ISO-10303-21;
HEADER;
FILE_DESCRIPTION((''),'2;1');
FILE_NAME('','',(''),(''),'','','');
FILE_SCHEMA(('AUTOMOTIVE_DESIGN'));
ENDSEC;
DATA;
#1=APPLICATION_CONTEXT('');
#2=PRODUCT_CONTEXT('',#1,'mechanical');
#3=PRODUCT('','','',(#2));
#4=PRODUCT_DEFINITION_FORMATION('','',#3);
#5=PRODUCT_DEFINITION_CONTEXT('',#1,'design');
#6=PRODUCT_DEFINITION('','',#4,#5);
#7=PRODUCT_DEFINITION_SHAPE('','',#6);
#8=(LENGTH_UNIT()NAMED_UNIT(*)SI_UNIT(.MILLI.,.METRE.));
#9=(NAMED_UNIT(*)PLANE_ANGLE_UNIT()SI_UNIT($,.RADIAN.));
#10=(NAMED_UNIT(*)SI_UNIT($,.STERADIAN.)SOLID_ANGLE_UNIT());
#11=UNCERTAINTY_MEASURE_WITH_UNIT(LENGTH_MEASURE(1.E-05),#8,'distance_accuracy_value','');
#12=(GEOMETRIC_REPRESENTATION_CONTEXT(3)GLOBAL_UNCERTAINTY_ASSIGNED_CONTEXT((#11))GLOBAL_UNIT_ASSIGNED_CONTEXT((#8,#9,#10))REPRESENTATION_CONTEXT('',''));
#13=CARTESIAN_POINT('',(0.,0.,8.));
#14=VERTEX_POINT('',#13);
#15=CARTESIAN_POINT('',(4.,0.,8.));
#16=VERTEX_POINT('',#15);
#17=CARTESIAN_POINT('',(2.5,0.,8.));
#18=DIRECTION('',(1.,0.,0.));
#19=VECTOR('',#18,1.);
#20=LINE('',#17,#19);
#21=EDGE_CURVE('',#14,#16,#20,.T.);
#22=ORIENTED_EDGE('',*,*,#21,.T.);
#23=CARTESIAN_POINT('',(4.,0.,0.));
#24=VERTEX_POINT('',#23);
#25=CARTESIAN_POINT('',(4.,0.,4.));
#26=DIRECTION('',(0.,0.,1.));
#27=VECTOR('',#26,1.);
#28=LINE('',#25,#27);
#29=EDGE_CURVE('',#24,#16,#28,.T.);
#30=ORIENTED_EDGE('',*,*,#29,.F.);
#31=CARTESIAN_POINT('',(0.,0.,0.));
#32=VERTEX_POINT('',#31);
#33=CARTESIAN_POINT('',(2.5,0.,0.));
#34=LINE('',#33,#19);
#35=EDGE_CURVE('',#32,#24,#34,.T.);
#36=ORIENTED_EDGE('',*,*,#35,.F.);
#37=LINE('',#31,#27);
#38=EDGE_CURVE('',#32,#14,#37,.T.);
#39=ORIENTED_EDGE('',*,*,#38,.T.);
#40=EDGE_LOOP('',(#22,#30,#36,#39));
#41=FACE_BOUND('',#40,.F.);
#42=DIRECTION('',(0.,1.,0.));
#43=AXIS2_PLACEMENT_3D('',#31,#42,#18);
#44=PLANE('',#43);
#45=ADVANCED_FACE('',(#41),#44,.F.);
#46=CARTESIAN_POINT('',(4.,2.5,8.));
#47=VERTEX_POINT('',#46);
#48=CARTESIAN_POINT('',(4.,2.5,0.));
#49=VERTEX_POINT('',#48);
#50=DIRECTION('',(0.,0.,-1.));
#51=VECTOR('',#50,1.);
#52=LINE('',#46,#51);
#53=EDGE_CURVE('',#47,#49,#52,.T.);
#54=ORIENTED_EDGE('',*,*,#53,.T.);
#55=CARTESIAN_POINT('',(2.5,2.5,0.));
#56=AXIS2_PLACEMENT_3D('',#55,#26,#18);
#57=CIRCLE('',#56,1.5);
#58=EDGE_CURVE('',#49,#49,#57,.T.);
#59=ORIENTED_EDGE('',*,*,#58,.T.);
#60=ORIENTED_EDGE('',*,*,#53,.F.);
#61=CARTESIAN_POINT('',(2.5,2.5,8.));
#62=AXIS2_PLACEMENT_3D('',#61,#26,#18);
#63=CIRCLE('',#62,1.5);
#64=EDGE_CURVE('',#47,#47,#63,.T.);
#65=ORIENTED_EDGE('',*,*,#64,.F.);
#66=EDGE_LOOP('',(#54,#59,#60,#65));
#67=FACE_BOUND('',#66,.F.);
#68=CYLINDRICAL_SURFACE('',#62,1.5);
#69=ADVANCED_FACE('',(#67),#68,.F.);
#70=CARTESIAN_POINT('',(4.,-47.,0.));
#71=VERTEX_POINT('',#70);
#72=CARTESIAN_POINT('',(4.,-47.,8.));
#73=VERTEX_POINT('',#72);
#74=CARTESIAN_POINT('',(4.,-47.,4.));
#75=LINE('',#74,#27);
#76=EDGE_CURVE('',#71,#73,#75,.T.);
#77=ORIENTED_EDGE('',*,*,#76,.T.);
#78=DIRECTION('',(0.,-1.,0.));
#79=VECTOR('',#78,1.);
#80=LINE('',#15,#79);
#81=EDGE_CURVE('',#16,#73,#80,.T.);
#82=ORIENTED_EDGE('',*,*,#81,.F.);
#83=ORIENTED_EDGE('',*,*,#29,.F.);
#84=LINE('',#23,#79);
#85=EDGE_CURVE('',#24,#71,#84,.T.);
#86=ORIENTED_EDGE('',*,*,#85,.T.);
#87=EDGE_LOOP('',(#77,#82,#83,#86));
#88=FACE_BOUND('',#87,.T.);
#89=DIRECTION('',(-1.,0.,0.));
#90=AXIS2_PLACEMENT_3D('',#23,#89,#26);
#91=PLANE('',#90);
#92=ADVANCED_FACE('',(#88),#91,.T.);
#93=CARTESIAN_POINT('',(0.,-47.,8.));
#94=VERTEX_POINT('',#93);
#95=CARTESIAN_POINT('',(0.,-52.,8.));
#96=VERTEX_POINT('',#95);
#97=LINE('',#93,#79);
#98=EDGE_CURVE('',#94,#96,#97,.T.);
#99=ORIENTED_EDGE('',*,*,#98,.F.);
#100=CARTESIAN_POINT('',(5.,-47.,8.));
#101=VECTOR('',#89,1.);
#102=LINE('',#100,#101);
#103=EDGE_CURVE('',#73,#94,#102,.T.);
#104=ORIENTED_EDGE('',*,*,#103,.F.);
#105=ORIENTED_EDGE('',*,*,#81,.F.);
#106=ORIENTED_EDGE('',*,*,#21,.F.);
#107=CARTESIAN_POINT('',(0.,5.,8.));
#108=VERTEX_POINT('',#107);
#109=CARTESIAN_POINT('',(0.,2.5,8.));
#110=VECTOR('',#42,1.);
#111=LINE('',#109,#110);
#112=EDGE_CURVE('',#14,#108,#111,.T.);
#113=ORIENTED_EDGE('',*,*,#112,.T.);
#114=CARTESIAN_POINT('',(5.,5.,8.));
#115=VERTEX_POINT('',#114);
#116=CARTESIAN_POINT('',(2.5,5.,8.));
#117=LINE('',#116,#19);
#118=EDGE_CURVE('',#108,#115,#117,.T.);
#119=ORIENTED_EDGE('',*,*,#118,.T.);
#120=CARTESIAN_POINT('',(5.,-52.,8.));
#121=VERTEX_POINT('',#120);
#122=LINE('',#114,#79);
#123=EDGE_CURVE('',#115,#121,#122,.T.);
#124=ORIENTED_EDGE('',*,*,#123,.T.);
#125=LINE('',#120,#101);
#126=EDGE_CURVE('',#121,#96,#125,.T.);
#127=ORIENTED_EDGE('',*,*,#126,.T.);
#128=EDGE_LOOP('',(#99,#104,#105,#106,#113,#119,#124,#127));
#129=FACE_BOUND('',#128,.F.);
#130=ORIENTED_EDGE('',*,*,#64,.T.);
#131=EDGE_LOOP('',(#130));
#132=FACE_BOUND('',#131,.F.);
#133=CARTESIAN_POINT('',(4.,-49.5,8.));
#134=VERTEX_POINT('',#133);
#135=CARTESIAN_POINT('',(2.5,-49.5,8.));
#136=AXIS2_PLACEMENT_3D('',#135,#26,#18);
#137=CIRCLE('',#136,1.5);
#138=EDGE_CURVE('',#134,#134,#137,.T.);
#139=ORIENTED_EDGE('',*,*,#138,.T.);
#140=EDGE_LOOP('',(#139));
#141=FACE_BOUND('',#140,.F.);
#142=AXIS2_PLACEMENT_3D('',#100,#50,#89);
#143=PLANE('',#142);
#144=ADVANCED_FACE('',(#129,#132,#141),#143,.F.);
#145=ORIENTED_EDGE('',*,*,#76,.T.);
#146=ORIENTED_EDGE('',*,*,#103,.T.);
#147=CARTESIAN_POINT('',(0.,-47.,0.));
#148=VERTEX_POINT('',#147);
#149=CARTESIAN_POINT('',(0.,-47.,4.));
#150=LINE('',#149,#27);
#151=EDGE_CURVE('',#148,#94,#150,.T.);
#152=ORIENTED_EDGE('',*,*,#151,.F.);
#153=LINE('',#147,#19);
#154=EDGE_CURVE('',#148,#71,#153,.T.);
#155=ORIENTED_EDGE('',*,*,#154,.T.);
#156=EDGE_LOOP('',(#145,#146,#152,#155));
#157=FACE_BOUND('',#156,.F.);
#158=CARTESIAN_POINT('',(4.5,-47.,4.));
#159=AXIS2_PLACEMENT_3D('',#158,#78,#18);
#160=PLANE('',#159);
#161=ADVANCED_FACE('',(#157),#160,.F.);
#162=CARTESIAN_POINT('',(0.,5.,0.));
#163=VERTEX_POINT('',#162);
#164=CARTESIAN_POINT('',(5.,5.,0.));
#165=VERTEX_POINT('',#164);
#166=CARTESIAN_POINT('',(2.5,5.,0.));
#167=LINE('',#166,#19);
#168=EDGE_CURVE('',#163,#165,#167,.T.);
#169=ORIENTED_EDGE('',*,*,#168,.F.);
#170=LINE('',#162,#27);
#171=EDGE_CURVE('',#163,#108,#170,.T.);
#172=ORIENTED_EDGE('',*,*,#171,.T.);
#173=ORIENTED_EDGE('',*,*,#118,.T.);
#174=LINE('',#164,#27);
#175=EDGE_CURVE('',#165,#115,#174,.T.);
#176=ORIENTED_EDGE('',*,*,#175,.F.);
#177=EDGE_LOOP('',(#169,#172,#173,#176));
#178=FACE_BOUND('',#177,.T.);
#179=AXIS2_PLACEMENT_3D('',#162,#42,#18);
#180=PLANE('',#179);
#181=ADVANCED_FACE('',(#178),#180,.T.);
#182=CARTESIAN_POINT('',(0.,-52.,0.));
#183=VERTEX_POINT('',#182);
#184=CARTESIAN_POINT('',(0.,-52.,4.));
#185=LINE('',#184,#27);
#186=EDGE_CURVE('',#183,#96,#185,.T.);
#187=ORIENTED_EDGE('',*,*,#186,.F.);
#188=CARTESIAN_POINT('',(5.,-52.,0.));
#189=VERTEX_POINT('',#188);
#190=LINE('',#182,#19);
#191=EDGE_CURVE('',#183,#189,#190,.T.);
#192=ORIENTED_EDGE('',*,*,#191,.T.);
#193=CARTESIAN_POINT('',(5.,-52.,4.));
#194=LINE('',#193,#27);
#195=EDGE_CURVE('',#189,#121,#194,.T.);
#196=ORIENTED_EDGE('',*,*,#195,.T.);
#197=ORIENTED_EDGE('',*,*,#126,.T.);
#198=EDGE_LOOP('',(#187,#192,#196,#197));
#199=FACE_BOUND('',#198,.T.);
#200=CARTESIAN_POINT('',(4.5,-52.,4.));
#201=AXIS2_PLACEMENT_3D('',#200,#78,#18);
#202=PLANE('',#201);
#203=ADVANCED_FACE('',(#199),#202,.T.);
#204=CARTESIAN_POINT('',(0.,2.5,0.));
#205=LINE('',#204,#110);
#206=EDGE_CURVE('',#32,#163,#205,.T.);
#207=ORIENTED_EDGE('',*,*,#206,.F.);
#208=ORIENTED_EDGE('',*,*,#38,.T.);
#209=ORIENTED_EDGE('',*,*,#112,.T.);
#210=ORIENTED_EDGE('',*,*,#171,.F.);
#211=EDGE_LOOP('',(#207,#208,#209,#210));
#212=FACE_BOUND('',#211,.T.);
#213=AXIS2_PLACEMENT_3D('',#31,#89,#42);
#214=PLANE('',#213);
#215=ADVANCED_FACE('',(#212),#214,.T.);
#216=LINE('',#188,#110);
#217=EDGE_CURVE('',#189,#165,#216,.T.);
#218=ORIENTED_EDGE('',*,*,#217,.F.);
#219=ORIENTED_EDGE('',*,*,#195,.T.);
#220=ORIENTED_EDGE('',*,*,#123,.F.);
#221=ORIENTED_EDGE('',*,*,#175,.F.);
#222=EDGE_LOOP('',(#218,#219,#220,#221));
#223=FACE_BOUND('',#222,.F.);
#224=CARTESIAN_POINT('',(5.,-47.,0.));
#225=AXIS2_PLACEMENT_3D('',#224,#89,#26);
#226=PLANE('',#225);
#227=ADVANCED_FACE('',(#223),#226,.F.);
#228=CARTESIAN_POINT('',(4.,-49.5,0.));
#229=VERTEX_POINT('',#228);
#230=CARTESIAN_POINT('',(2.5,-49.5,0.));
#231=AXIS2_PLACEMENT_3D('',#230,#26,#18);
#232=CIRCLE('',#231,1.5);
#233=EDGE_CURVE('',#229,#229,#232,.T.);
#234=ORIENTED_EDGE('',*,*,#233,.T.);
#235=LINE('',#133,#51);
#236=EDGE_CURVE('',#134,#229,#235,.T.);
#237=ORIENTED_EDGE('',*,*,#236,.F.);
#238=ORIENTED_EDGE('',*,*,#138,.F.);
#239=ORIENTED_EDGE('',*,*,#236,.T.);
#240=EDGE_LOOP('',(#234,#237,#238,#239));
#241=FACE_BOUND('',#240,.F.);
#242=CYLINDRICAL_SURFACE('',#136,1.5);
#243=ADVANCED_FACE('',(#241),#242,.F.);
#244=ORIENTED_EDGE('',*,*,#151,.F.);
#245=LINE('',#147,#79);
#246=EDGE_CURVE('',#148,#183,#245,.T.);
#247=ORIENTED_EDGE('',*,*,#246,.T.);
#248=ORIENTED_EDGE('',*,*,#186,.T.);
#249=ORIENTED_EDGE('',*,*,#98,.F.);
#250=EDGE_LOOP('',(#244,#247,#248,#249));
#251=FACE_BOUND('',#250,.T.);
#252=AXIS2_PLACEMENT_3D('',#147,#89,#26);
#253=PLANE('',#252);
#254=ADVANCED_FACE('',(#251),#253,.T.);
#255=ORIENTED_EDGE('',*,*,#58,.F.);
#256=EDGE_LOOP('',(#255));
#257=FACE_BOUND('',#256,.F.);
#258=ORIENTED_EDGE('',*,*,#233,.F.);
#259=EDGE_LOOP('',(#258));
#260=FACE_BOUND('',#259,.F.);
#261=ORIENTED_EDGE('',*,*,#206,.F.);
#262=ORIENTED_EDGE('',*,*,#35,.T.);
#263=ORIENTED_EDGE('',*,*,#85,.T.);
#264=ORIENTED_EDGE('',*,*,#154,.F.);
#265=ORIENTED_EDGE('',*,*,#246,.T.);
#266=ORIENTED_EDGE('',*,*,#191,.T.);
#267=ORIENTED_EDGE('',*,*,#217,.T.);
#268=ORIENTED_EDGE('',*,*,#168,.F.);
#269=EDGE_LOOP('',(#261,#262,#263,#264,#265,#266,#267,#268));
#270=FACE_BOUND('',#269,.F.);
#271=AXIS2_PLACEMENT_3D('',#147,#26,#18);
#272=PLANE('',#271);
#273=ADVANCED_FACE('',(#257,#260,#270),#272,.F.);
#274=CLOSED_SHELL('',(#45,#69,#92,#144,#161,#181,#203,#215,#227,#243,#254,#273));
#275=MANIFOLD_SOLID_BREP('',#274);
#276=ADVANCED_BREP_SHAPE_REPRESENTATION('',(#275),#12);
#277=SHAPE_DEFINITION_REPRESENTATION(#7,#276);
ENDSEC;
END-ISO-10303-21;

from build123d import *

# Parameters (mm, degrees)
F0_W     = 5
F0_H     = 5
F1_DEPTH = 8
F2_R     = 1.5
F3_DEPTH = 25
F4_W     = 1
F4_H     = 8
F5_DEPTH = 47
F6_W     = 1
F6_H     = 8
F6_W_2   = 4
F7_DEPTH = 5
F8_R     = 1.5
F9_DEPTH = 25


with BuildPart() as f1:
    # F0 (on Top) → F1 (new body)
    with BuildSketch(Plane.XY):
        with Locations((2.5, 2.5)):
            Rectangle(F0_W, F0_H)
    extrude(amount=F1_DEPTH)

    # F2 (on face) → F3 (cut)
    with BuildSketch(Plane.XY.offset(8)):
        with Locations((2.5, 2.5)):
            Circle(F2_R)
    extrude(amount=-F3_DEPTH, mode=Mode.SUBTRACT)

    # F4 (on face) → F5 (join)
    with BuildSketch(Plane.XZ):
        with Locations((4.5, 4)):
            Rectangle(F4_W, F4_H)
    extrude(amount=F5_DEPTH)

    # F6 (on face) → F7 (join)
    with BuildSketch(Plane.XZ.offset(47)):
        with Locations((4.5, 4)):
            Rectangle(F6_W, F6_H)
        with Locations((2, 4)):
            Rectangle(F6_W_2, F6_H)
    extrude(amount=F7_DEPTH)

    # F8 (on face) → F9 (cut)
    with BuildSketch(Plane.XY.offset(8)):
        with Locations((2.5, -49.5)):
            Circle(F8_R)
    extrude(amount=-F9_DEPTH, mode=Mode.SUBTRACT)


solid = f1.part
